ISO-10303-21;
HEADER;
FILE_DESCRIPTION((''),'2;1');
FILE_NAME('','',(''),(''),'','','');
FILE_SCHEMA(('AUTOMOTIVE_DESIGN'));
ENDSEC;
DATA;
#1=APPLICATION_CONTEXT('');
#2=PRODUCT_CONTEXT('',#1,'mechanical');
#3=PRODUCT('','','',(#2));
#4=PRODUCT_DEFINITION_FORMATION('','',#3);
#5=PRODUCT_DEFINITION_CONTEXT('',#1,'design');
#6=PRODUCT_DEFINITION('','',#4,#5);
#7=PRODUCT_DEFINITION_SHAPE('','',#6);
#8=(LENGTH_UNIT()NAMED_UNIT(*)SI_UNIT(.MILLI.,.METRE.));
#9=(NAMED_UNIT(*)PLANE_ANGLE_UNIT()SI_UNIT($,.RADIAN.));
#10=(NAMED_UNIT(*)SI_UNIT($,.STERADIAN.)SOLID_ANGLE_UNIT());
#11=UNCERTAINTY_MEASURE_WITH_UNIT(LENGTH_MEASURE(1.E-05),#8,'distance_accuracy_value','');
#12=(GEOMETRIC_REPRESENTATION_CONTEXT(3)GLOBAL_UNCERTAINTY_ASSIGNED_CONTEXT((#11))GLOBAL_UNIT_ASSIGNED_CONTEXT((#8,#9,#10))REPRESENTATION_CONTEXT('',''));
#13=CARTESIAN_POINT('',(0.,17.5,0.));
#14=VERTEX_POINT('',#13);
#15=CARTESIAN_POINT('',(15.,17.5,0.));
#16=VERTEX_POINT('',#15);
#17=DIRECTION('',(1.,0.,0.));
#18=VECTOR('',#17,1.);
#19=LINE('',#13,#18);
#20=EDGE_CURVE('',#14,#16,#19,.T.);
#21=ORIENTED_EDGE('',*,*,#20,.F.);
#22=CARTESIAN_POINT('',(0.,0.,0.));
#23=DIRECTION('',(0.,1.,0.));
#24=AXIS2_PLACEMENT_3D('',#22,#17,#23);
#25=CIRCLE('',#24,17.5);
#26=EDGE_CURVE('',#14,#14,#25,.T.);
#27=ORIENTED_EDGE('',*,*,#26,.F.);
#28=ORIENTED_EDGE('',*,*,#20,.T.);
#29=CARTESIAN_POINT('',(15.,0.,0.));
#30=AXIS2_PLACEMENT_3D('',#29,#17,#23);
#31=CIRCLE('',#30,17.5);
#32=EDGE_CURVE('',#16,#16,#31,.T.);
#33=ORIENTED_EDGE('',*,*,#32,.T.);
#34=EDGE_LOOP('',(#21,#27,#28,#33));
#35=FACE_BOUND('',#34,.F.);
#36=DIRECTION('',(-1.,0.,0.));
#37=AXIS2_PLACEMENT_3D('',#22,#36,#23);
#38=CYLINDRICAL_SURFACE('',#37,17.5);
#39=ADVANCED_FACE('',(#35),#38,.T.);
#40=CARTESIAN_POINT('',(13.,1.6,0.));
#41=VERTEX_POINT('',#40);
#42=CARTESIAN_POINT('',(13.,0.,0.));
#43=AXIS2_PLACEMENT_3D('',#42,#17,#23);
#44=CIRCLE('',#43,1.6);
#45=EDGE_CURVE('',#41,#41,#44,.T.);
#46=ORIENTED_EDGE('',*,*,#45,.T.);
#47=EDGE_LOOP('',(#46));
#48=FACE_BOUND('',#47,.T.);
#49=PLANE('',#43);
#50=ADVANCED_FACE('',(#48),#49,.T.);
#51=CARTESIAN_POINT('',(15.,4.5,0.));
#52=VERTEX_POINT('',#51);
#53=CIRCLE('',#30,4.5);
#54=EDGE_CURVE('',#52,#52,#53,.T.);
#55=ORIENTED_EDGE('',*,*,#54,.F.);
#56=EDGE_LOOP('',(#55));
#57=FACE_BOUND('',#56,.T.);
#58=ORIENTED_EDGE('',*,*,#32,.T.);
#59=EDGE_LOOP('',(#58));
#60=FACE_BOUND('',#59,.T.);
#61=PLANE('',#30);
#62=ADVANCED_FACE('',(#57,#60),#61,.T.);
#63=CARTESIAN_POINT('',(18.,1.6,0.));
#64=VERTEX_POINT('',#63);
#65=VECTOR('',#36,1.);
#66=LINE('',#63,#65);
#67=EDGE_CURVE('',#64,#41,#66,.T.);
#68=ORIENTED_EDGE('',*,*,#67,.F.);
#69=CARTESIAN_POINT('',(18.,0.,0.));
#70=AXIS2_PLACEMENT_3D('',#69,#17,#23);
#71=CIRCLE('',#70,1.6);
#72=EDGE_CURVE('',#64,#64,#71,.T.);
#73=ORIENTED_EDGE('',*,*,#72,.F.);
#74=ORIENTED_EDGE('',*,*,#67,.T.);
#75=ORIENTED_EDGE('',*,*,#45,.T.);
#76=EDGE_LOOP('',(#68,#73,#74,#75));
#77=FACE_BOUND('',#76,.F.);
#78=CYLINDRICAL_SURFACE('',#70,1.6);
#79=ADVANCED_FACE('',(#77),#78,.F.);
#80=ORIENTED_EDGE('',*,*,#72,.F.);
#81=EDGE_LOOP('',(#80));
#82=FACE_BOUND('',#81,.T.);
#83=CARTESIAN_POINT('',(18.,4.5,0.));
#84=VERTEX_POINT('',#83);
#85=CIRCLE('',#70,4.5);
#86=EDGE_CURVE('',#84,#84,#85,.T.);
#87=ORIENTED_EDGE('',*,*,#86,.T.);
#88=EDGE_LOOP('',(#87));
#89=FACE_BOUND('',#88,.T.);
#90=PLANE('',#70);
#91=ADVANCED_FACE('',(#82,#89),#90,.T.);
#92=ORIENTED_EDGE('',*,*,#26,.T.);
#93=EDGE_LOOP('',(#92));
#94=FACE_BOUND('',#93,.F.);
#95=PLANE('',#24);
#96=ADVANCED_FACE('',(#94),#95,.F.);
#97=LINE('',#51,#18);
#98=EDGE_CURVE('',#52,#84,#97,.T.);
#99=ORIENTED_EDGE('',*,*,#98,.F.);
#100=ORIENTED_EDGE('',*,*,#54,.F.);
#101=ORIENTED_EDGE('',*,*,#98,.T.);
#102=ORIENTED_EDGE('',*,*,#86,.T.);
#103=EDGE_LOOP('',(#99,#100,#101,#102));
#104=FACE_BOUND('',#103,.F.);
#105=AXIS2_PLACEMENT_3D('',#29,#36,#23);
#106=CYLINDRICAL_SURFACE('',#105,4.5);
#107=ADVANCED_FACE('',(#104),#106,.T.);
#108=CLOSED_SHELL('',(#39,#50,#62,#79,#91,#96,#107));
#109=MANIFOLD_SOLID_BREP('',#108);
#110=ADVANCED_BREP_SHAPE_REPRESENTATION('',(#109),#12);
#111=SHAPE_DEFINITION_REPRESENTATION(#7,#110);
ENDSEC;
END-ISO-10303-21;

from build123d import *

# Parameters (mm, degrees)
F0_R     = 17.5
F1_DEPTH = 15
F2_R     = 4.5
F3_DEPTH = 3
F4_R     = 1.6
F5_DEPTH = 5


with BuildPart() as f1:
    # F0 (on Right) → F1 (new body)
    with BuildSketch(Plane.YZ):
        Circle(F0_R)
    extrude(amount=F1_DEPTH)

    # F2 (on face) → F3 (join)
    with BuildSketch(Plane.YZ.offset(15)):
        Circle(F2_R)
    extrude(amount=F3_DEPTH)

    # F4 (on face) → F5 (cut)
    with BuildSketch(Plane.YZ.offset(18)):
        Circle(F4_R)
    extrude(amount=-F5_DEPTH, mode=Mode.SUBTRACT)


solid = f1.part
